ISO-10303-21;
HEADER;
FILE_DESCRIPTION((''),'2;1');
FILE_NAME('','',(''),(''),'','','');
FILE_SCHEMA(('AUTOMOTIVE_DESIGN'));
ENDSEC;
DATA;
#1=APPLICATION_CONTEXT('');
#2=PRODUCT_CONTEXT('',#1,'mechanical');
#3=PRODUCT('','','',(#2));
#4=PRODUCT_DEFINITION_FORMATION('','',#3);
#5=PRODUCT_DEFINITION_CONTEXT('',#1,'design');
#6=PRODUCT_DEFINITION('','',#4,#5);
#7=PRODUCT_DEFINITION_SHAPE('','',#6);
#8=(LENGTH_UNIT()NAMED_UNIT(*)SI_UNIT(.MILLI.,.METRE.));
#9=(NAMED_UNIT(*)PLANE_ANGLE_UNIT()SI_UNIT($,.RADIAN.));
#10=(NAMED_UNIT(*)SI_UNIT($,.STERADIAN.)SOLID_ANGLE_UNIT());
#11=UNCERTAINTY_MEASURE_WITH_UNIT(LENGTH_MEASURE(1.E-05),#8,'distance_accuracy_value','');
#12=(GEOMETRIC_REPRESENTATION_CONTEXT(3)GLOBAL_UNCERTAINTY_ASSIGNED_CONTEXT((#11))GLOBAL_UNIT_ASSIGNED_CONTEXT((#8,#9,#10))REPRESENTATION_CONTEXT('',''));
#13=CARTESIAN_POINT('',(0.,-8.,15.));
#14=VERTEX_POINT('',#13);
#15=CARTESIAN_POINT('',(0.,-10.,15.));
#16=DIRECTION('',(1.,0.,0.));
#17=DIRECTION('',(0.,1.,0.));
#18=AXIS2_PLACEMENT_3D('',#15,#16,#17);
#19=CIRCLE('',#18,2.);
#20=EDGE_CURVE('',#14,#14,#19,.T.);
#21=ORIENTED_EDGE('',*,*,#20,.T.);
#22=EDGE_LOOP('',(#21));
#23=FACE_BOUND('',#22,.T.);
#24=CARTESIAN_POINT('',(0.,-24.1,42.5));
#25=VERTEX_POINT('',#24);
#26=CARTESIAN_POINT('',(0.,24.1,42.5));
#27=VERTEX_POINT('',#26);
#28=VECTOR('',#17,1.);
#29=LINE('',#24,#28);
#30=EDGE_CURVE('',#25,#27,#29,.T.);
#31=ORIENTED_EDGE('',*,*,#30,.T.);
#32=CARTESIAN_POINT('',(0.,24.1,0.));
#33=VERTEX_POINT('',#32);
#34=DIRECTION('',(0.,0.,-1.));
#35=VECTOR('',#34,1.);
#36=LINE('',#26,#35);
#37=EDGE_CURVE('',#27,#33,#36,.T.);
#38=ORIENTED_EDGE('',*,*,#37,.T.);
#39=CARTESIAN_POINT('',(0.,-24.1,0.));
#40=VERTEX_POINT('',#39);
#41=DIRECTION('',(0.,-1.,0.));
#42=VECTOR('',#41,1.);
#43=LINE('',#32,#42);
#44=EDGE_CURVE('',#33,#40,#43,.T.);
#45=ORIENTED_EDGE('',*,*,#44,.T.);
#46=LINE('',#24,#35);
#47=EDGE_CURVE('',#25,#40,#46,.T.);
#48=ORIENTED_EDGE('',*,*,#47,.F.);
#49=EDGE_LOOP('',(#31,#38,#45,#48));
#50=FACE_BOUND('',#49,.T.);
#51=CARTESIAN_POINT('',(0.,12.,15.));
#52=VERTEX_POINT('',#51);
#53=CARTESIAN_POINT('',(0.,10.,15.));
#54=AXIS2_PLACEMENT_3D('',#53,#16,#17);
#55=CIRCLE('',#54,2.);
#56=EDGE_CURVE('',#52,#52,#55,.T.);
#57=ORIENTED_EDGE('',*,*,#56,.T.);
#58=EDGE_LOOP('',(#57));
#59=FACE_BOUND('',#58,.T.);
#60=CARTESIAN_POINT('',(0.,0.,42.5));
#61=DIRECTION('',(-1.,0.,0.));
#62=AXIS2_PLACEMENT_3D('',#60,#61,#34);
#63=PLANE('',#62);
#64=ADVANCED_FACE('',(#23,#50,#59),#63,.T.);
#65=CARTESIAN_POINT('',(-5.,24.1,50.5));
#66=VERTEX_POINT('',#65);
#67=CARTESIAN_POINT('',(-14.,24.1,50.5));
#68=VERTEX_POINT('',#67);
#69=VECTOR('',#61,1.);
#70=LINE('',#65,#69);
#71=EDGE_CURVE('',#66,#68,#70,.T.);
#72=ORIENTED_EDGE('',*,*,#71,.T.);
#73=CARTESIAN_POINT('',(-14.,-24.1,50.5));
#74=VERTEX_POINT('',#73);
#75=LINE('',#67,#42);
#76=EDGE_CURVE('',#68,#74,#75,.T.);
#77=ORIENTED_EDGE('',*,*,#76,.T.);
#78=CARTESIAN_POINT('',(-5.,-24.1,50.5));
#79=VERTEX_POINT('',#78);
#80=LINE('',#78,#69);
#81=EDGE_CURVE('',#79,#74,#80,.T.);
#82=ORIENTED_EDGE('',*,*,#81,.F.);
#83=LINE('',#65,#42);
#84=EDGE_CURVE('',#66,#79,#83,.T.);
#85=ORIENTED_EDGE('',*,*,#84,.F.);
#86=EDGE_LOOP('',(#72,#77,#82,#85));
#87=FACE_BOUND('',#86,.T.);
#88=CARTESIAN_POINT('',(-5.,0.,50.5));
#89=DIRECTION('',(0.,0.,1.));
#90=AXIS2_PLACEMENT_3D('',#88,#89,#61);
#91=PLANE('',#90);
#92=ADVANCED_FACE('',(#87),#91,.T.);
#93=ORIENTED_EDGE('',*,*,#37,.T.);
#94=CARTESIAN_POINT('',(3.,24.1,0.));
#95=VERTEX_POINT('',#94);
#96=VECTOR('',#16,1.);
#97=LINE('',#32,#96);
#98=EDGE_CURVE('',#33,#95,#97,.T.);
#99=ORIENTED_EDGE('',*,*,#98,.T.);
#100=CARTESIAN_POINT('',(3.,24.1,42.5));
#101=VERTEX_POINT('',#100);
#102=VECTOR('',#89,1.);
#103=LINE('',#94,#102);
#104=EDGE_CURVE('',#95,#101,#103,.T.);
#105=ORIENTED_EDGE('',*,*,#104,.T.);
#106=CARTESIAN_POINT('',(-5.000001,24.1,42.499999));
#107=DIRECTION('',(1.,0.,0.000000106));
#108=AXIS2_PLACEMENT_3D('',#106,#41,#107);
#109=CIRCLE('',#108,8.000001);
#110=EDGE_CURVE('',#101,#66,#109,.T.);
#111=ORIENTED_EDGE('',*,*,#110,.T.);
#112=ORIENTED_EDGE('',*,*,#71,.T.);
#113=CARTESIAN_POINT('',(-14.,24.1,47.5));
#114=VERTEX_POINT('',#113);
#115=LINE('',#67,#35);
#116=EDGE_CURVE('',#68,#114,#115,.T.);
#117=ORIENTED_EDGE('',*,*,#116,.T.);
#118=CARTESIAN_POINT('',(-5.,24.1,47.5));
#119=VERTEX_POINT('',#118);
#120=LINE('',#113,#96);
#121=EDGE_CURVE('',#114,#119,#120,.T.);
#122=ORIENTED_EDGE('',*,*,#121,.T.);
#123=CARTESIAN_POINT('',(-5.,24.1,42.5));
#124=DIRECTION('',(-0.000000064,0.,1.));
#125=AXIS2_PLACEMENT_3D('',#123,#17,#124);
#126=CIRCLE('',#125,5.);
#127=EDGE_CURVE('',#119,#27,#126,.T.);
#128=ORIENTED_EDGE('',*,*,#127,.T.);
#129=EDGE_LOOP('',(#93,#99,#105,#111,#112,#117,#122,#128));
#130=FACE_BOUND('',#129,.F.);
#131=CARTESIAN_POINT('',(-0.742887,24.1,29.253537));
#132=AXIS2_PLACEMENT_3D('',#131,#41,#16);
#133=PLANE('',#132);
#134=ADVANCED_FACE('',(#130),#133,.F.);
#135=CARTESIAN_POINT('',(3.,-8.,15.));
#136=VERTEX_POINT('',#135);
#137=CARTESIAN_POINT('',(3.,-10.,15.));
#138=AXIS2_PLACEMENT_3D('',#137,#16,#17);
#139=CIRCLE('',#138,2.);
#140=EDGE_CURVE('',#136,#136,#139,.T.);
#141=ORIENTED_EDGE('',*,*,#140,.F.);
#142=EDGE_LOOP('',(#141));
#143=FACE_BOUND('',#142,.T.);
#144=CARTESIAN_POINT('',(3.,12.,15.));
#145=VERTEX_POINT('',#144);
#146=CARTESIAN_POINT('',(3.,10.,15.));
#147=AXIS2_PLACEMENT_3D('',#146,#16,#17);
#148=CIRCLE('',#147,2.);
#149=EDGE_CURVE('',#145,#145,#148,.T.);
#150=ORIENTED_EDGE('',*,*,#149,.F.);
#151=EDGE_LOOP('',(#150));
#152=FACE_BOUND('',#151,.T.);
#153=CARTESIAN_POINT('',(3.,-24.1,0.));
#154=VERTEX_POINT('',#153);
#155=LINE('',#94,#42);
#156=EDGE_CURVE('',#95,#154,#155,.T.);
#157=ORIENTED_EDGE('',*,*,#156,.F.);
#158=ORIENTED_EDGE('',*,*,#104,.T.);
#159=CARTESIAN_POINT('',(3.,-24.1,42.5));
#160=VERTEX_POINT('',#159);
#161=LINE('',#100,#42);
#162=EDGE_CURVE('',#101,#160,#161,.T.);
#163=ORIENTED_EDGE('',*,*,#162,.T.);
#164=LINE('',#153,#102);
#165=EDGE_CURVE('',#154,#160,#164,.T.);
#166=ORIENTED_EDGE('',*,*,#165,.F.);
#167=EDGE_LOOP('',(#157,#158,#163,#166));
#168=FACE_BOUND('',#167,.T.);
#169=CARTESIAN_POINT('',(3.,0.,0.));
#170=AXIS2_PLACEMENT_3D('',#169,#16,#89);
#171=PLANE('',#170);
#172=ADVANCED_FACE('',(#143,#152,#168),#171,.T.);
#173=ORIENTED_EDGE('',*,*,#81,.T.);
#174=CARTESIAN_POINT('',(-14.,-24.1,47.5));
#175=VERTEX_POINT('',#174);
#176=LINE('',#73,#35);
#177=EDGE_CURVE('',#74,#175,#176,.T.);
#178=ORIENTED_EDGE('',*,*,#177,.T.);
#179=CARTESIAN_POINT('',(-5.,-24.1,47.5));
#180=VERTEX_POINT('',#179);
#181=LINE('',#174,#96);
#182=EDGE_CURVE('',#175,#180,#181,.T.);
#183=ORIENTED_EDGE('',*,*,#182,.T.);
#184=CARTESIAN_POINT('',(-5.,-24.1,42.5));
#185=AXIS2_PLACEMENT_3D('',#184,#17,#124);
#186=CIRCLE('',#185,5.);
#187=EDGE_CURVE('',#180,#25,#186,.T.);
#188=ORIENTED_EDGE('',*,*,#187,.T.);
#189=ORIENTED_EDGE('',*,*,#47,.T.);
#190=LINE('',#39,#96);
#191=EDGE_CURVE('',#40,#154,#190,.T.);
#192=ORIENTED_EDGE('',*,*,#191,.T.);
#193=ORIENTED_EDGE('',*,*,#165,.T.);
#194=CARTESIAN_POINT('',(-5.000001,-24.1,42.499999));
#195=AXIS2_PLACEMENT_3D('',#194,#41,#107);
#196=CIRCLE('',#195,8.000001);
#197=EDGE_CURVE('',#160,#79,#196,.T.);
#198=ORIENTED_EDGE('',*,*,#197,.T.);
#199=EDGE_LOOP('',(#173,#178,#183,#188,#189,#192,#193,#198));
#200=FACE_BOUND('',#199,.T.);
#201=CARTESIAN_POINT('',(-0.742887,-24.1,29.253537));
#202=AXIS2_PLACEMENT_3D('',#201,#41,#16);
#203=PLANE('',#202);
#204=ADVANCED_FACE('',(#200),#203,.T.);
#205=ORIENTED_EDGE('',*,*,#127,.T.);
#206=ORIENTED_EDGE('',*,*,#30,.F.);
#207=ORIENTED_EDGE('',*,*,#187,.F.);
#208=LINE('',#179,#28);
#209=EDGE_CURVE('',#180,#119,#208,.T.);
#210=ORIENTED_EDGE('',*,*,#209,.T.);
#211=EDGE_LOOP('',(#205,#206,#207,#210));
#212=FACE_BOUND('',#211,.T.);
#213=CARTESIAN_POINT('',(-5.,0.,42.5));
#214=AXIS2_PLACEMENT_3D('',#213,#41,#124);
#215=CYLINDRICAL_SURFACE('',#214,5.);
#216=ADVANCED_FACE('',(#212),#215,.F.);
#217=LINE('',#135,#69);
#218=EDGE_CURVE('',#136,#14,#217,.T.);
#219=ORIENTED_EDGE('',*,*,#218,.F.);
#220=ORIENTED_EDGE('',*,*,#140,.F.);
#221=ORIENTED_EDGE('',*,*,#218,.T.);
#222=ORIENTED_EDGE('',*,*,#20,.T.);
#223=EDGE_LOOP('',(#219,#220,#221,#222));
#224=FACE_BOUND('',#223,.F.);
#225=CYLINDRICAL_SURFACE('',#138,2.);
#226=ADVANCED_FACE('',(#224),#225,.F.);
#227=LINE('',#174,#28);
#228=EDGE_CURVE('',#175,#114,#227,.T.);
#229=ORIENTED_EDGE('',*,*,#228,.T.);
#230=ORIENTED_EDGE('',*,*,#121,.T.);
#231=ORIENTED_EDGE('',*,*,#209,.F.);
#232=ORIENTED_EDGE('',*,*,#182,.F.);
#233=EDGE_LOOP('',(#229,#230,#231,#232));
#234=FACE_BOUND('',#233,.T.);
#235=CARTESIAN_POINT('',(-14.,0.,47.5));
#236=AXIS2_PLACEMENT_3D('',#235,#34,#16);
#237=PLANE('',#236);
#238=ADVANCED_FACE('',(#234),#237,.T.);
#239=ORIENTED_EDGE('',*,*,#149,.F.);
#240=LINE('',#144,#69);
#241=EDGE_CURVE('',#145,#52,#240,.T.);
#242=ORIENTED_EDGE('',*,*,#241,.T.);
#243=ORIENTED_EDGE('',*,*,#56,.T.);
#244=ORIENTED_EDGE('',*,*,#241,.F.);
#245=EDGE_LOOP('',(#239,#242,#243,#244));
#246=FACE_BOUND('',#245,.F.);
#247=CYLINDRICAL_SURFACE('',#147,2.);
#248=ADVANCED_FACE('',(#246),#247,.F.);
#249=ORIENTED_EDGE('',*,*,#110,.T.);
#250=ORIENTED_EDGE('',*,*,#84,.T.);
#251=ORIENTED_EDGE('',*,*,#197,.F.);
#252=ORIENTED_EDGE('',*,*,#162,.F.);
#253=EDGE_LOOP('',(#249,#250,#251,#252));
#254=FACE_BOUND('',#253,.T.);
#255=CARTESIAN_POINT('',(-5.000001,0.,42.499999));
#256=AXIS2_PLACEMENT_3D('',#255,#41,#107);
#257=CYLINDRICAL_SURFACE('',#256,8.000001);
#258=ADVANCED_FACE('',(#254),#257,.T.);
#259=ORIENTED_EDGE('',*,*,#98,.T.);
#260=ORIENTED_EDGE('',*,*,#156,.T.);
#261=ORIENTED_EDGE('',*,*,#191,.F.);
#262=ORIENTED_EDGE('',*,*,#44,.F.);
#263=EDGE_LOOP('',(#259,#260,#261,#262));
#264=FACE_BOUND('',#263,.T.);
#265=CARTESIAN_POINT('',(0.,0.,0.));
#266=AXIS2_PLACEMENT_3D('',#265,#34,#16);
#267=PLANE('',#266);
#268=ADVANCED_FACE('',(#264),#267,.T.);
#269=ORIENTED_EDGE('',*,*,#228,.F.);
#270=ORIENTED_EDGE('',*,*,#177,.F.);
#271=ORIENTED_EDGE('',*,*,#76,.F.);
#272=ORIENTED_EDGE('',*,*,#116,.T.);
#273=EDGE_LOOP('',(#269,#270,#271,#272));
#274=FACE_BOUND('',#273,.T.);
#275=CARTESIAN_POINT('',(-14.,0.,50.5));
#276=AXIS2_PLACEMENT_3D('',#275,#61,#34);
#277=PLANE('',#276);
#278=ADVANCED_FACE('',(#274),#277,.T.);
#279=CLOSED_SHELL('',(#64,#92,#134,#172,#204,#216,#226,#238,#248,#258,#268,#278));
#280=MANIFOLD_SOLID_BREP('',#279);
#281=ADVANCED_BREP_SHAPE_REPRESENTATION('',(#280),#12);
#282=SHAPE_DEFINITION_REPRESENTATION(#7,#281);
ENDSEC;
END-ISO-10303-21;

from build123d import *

# Parameters (mm, degrees)
F1_DEPTH = 24.1
F2_R     = 2
F3_DEPTH = 17.001


with BuildPart() as f1:
    # F0 (on Front) → F1 (new body, symmetric)
    with BuildSketch(Plane.XZ):
        with BuildLine():
            Line((0, 42.5), (0, 0))
            Line((0, 0), (3, 0))
            Line((3, 0), (3, 42.5))
            ThreePointArc((3, 42.5), (0.656854, 48.156854), (-5, 50.5))
            Line((-5, 50.5), (-14, 50.5))
            Line((-14, 50.5), (-14, 47.5))
            Line((-14, 47.5), (-5, 47.5))
            ThreePointArc((-5, 47.5), (-1.464466, 46.035534), (0, 42.5))
        make_face()
    extrude(amount=F1_DEPTH, both=True)

    # F2 (on face) → F3 (cut, through all)
    with BuildSketch(Plane.YZ.offset(3)):
        with Locations((-10, 15)):
            Circle(F2_R)
        with Locations((10, 15)):
            Circle(F2_R)
    extrude(amount=-F3_DEPTH, mode=Mode.SUBTRACT)


solid = f1.part
